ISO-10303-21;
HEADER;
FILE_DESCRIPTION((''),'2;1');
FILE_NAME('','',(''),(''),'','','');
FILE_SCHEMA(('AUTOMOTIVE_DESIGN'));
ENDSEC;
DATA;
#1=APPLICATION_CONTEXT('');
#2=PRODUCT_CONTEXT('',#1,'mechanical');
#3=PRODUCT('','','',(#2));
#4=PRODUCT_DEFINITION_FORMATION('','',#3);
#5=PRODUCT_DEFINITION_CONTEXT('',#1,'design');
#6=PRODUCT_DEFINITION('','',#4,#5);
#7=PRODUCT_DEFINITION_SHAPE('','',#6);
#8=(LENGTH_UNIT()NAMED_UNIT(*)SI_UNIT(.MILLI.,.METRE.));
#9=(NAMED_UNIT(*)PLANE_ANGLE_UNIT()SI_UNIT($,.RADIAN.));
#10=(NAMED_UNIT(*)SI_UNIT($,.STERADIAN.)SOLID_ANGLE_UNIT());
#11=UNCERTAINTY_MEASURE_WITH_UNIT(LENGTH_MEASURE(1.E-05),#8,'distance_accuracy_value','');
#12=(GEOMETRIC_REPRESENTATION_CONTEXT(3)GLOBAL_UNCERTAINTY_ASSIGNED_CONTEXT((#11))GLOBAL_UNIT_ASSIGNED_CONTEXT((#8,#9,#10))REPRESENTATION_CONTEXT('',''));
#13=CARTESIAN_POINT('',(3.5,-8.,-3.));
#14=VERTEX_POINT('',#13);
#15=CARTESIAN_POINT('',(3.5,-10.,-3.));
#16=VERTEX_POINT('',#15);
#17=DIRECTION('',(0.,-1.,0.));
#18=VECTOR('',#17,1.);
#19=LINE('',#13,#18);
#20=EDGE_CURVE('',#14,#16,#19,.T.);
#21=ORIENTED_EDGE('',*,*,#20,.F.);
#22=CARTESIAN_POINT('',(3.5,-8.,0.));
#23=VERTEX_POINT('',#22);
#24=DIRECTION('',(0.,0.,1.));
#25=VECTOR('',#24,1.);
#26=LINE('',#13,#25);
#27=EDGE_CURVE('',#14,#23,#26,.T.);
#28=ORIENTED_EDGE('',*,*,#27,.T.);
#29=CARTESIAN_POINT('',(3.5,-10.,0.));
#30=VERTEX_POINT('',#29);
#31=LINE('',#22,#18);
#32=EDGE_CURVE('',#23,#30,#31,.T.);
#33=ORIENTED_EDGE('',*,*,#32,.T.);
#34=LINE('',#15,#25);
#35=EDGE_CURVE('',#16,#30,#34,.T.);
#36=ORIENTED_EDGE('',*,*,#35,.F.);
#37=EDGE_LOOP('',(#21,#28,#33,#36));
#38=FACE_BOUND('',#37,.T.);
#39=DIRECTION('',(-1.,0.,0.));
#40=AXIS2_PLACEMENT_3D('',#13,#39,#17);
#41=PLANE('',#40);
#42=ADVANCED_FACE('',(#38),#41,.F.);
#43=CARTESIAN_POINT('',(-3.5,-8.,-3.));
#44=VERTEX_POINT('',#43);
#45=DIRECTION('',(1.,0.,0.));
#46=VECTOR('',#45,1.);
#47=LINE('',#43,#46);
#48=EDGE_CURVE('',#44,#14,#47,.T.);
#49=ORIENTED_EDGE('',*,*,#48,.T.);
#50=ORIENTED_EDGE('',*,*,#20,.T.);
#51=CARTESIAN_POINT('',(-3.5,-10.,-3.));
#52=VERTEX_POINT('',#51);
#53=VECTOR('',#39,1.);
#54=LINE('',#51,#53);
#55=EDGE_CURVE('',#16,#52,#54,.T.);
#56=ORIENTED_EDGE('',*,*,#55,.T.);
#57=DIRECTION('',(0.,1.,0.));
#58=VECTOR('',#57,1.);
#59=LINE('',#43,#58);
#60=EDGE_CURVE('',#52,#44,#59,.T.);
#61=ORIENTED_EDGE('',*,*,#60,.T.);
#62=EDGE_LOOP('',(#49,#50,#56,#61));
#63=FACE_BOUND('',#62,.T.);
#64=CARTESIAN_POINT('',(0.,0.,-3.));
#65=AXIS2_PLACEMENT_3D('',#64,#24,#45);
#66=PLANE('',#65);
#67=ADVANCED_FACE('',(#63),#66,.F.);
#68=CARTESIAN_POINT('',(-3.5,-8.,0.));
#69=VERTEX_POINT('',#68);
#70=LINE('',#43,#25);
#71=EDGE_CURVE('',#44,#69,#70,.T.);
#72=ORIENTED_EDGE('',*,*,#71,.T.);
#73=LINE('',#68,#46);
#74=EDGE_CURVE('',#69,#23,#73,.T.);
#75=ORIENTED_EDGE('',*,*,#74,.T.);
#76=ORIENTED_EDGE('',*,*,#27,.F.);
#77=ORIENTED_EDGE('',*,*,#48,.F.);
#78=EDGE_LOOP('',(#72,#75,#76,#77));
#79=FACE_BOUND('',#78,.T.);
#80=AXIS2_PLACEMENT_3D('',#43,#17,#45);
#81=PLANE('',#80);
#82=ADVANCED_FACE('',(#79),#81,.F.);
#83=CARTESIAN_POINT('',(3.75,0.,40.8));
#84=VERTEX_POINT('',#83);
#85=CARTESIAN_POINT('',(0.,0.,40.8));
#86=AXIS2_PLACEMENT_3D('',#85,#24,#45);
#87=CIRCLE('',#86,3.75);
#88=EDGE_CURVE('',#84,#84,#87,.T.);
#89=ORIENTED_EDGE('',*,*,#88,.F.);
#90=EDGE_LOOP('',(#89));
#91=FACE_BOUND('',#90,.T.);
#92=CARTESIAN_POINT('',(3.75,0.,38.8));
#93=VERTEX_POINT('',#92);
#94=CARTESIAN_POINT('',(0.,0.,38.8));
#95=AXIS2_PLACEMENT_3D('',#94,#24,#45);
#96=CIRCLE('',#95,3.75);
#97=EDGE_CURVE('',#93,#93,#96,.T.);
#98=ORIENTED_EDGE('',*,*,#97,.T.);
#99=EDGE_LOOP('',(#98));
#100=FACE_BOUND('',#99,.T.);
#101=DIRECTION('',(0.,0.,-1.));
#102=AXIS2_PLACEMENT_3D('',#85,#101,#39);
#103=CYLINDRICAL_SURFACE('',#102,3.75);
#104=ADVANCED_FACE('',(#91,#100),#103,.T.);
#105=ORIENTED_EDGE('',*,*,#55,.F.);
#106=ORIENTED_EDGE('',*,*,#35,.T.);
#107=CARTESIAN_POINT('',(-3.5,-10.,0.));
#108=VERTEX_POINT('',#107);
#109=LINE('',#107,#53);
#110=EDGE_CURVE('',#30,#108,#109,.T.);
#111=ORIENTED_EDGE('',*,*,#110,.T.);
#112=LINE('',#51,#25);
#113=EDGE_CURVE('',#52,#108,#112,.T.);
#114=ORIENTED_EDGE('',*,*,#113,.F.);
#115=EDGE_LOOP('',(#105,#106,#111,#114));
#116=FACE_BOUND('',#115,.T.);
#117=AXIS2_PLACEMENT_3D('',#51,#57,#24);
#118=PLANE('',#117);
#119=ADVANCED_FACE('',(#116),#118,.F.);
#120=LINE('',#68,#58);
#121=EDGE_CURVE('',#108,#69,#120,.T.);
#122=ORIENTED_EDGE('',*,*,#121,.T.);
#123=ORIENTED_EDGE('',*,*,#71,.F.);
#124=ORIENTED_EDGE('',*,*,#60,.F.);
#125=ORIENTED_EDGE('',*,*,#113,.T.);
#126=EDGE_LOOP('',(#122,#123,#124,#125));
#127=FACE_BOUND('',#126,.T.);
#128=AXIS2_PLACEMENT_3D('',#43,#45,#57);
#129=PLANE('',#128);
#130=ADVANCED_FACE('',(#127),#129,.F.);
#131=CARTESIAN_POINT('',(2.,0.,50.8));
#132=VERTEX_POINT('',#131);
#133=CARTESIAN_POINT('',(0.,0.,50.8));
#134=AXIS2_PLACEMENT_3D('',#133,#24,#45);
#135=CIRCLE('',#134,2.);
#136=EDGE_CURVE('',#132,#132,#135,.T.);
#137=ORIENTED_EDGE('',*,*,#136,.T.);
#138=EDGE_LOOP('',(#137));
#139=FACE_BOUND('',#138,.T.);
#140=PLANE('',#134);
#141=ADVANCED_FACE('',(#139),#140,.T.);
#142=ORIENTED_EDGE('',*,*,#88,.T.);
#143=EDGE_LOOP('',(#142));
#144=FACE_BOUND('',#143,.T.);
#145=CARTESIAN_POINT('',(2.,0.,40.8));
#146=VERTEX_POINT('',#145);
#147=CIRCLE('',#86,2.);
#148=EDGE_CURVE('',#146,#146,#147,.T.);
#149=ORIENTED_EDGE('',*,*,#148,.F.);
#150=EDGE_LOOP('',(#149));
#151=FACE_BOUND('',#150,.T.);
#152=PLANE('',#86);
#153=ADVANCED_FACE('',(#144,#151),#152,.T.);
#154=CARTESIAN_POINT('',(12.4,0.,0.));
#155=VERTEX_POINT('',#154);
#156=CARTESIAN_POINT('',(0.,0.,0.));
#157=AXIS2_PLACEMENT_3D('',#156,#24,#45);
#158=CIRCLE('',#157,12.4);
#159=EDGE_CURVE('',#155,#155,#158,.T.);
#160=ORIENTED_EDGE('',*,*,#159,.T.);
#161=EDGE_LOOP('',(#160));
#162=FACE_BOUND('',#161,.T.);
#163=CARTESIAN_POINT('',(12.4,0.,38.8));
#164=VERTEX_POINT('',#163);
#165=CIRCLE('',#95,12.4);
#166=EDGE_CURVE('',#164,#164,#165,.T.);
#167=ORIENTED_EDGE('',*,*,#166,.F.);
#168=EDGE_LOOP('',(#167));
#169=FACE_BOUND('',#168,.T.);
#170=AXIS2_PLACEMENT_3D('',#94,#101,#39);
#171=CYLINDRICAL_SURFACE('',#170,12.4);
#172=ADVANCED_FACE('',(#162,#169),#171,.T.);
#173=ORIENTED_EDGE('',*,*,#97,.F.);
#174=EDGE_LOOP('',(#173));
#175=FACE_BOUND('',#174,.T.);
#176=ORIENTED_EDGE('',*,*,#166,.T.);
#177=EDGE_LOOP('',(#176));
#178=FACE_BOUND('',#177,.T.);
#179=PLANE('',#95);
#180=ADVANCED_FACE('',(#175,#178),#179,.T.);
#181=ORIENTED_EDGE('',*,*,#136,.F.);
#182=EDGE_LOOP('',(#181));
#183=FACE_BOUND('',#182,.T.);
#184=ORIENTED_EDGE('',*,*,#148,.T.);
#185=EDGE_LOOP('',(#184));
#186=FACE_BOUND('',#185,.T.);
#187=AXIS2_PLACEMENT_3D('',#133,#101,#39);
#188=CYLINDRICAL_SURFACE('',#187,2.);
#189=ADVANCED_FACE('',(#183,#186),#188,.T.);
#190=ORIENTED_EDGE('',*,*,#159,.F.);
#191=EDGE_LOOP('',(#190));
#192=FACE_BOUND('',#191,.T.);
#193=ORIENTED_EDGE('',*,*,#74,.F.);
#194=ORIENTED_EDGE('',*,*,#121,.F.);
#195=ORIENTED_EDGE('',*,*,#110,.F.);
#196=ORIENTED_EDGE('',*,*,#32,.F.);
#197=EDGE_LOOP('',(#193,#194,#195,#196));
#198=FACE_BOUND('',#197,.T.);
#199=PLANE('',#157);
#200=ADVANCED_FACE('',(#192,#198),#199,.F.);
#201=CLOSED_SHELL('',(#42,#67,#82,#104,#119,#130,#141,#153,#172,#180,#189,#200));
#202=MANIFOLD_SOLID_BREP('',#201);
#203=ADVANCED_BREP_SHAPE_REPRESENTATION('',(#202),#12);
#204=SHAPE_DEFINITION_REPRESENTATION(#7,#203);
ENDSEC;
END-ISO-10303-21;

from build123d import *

# Parameters (mm, degrees)
SKIZZE1_R                       = 12.4
AUFSATZ_LINEAR_AUSTRAGEN1_DEPTH = 38.8
SKIZZE2_R                       = 3.75
AUFSATZ_LINEAR_AUSTRAGEN2_DEPTH = 2
SKIZZE3_R                       = 2
AUFSATZ_LINEAR_AUSTRAGEN3_DEPTH = 10
SKIZZE4_W                       = 7
SKIZZE4_H                       = 2
AUFSATZ_LINEAR_AUSTRAGEN4_DEPTH = 3


with BuildPart() as part:
    # Skizze1 → Aufsatz-Linear austragen1 (new body)
    with BuildSketch(Plane.XY):
        Circle(SKIZZE1_R)
    extrude(amount=AUFSATZ_LINEAR_AUSTRAGEN1_DEPTH)

    # Skizze2 → Aufsatz-Linear austragen2 (add)
    with BuildSketch(Plane.XY.offset(38.8)):
        Circle(SKIZZE2_R)
    extrude(amount=AUFSATZ_LINEAR_AUSTRAGEN2_DEPTH)

    # Skizze3 → Aufsatz-Linear austragen3 (add)
    with BuildSketch(Plane.XY.offset(40.8)):
        Circle(SKIZZE3_R)
    extrude(amount=AUFSATZ_LINEAR_AUSTRAGEN3_DEPTH)

    # Skizze4 → Aufsatz-Linear austragen4 (add)
    with BuildSketch(Plane(origin=(0, 0, 0), x_dir=(-1, 0, 0), z_dir=(0, 0, -1))):
        with Locations((0, -9)):
            Rectangle(SKIZZE4_W, SKIZZE4_H)
    extrude(amount=AUFSATZ_LINEAR_AUSTRAGEN4_DEPTH)


solid = part.part
